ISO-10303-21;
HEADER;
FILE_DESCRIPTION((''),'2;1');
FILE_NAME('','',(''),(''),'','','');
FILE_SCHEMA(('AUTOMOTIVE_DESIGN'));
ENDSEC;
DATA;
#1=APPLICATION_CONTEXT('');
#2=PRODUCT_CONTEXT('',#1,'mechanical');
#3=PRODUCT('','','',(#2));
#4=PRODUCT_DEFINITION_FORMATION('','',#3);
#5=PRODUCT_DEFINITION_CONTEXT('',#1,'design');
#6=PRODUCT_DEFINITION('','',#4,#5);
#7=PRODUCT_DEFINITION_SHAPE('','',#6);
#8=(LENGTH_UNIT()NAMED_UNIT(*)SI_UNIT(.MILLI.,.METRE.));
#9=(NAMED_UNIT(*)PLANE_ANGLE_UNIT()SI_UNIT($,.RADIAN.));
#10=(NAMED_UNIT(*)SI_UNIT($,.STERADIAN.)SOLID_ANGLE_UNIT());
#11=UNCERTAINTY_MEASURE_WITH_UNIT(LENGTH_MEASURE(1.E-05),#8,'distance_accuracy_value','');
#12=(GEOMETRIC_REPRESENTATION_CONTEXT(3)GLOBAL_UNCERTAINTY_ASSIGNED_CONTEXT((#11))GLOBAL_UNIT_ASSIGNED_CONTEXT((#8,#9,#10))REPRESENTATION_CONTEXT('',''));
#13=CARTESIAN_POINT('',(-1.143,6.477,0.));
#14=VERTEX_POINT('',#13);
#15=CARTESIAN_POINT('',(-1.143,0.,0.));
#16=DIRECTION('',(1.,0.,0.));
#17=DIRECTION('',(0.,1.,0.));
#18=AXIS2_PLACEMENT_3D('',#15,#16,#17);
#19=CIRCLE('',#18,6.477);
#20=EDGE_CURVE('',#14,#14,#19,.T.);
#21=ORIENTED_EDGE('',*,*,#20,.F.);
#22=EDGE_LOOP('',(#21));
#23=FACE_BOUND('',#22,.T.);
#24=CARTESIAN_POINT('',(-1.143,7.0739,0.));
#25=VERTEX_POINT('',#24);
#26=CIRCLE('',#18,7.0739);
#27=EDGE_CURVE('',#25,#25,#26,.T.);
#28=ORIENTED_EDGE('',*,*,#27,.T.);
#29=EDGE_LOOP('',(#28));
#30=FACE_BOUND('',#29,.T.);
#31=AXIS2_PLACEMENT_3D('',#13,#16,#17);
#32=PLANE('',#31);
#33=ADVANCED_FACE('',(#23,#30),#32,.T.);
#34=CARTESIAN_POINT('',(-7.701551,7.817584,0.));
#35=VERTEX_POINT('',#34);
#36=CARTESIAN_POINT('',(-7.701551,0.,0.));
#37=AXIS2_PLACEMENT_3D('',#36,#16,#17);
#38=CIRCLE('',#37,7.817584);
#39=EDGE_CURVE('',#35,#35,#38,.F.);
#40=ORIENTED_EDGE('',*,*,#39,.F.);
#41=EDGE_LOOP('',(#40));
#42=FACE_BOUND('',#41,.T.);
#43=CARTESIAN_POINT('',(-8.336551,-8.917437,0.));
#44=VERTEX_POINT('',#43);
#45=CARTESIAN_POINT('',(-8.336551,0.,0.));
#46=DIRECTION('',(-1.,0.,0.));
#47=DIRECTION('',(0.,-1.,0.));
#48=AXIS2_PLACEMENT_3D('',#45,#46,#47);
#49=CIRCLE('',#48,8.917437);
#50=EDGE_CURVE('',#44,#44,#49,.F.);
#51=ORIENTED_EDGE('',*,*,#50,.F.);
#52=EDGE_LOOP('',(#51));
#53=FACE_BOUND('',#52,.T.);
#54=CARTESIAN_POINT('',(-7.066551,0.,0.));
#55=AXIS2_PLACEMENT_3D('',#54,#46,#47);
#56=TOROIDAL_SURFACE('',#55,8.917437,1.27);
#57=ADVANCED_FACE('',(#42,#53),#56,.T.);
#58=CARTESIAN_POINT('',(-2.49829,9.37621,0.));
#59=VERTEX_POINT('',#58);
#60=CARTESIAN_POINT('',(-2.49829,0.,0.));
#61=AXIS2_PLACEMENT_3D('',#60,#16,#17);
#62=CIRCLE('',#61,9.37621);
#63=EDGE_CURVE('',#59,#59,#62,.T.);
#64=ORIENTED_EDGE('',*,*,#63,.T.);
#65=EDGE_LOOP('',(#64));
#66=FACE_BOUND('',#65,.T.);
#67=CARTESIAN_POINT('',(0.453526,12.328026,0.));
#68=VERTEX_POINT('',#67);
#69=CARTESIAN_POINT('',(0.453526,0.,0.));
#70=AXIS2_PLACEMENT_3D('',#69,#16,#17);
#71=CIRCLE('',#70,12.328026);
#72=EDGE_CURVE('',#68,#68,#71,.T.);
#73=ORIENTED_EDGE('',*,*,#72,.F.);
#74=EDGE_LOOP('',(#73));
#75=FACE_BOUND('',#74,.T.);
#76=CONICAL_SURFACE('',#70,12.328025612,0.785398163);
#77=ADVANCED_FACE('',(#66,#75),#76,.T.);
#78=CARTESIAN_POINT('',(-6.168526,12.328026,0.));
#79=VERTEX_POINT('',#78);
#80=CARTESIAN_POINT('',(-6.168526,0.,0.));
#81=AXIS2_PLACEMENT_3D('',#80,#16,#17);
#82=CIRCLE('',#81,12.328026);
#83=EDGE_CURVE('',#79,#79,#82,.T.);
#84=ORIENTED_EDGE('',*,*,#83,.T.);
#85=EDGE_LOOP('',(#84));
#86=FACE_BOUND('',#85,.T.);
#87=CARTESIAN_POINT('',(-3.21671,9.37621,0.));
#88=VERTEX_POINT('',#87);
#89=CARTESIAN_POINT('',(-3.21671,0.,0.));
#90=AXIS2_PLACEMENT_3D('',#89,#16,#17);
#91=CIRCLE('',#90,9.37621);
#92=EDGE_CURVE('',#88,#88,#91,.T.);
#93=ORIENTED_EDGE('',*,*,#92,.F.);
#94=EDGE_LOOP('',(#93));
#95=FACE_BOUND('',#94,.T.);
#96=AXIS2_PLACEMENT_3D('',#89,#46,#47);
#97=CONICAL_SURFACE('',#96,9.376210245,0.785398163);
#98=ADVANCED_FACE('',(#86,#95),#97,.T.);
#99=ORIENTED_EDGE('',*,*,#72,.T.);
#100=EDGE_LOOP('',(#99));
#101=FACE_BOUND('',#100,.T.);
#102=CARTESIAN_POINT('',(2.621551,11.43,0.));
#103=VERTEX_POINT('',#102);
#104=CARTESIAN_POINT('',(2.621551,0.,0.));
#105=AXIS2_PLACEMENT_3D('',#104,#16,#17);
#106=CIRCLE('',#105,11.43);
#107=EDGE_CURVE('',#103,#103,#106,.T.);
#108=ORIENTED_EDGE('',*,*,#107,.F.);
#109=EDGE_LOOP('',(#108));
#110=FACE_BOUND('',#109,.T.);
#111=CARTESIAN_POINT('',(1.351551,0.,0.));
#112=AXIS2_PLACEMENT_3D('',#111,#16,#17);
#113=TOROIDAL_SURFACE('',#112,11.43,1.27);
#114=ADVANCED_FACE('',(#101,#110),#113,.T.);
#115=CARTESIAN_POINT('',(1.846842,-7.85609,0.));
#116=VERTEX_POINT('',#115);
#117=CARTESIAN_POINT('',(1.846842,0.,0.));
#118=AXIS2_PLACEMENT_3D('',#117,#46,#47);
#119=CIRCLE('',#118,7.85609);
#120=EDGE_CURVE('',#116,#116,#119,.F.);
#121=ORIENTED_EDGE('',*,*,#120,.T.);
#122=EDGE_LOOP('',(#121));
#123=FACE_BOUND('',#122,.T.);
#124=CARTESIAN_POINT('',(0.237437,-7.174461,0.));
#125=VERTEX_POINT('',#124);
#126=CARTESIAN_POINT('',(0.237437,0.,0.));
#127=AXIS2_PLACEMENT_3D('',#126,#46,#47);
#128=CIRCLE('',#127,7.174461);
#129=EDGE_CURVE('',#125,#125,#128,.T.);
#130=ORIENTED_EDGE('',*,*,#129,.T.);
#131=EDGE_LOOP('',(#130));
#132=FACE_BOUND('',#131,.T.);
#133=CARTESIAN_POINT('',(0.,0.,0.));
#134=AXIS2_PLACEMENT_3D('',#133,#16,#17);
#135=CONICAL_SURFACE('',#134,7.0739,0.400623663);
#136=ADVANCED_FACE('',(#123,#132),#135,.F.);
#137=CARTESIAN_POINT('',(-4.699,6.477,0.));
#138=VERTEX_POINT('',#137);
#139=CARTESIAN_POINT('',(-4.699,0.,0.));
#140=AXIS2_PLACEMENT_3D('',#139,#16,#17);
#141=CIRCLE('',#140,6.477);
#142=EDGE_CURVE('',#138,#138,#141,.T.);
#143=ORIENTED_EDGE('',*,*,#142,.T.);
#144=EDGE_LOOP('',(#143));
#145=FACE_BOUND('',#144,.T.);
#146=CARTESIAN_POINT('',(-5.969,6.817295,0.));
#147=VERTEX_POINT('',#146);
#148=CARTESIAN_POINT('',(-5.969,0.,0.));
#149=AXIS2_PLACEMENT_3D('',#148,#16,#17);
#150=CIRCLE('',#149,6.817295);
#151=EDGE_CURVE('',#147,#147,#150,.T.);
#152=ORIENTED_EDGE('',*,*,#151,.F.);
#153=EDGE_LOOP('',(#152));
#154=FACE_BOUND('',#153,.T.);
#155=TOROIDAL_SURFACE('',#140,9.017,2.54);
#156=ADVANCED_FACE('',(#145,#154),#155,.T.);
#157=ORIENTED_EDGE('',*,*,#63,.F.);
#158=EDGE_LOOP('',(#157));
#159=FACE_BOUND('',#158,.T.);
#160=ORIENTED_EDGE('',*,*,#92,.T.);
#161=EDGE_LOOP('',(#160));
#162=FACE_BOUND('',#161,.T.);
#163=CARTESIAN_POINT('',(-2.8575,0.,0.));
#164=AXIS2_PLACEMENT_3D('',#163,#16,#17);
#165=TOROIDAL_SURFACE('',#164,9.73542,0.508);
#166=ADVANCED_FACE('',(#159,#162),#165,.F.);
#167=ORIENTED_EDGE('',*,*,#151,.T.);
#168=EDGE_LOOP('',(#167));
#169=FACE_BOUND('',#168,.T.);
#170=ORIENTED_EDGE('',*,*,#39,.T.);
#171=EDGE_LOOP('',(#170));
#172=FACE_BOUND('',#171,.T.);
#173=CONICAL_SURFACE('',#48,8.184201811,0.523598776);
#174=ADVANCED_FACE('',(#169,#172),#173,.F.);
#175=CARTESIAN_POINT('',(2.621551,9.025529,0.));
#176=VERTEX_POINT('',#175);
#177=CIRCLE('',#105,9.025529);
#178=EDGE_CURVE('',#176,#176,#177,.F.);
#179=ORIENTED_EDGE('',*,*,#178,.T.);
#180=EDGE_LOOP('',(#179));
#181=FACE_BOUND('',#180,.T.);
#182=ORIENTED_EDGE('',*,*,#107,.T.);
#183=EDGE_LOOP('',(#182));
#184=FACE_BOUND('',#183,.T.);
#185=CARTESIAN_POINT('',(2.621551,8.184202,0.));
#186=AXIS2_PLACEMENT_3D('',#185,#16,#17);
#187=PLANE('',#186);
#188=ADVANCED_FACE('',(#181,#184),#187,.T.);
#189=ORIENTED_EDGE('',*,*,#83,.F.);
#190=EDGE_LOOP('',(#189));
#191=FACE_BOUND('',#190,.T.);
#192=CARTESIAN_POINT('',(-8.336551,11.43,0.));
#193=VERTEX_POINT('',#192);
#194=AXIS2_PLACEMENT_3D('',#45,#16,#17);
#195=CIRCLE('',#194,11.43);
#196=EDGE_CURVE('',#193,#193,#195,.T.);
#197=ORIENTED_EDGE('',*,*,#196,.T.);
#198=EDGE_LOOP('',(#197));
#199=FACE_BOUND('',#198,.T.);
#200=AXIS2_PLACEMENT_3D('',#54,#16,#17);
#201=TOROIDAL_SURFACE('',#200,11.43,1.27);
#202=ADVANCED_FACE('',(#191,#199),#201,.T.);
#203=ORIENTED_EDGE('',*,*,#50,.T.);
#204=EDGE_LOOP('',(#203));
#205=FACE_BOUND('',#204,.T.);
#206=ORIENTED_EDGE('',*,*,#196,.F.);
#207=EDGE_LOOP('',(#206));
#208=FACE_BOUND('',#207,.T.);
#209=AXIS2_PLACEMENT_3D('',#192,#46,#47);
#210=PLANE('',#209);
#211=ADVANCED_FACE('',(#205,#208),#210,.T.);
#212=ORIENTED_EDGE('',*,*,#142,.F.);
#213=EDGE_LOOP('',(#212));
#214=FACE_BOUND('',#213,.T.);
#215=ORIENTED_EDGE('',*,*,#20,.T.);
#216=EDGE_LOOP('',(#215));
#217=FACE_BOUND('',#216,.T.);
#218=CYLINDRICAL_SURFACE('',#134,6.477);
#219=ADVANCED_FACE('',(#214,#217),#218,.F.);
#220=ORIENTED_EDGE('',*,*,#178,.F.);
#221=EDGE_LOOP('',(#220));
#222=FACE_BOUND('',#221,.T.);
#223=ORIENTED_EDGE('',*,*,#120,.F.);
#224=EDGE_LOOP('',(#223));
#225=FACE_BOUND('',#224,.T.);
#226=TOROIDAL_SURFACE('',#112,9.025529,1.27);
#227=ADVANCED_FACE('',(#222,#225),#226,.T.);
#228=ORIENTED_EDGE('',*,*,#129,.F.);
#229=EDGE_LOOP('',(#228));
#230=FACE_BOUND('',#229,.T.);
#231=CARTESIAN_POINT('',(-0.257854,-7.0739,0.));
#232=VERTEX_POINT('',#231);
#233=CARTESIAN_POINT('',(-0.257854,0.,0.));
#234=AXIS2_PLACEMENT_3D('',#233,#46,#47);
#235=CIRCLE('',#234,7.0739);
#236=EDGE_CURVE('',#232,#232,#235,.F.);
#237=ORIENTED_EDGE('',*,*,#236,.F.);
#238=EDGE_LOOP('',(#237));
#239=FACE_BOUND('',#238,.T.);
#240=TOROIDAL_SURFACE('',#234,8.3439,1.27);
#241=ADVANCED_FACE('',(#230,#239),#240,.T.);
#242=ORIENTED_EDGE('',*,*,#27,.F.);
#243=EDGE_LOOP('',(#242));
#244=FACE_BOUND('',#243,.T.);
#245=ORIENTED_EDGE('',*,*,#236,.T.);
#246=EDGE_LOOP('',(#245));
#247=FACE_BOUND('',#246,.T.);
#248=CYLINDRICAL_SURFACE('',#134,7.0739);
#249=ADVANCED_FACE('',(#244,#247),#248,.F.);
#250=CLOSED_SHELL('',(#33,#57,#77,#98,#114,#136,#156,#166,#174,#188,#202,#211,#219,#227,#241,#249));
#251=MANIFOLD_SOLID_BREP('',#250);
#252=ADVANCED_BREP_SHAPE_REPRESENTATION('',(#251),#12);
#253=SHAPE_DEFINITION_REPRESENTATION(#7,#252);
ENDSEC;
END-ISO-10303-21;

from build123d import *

# Parameters (mm, degrees)
FILLET3_R = 1.27
FILLET4_R = 1.27


with BuildPart() as part:
    # Sketch1 → Revolve1 (revolve)
    with BuildSketch(Plane.XY):
        with BuildLine():
            Line((-4.699, 6.477), (-1.143, 6.477))
            Line((-1.143, 6.477), (-1.143, 7.0739))
            Line((-1.143, 7.0739), (0, 7.0739))
            Line((0, 7.0739), (2.621551224, 8.184201811))
            Line((2.621551224, 8.184201811), (2.621551224, 11.43))
            ThreePointArc((2.621551224, 11.43), (1.837559183, 12.603327006), (0.453525612, 12.328025612))
            Line((0.453525612, 12.328025612), (-2.498289755, 9.376210245))
            ThreePointArc((-2.498289755, 9.376210245), (-2.8575, 9.22742049), (-3.216710245, 9.376210245))
            Line((-3.216710245, 9.376210245), (-6.168525612, 12.328025612))
            ThreePointArc((-6.168525612, 12.328025612), (-7.552559183, 12.603327006), (-8.336551224, 11.43))
            Line((-8.336551224, 11.43), (-8.336551224, 8.184201811))
            Line((-8.336551224, 8.184201811), (-5.969, 6.817295474))
            ThreePointArc((-5.969, 6.817295474), (-5.356400375, 6.563548401), (-4.699, 6.477))
        make_face()
    revolve(axis=Axis((0, 0, 0), (-1, 0, 0)))

    # Fillet3
    fillet3_edges = [part.edges().sort_by_distance(p)[0] for p in [
        (2.621551224, -8.184201811, 0),
        (-8.336551224, -8.184201811, 0),
    ]]
    fillet(fillet3_edges, radius=FILLET3_R)

    # Fillet4
    fillet4_edges = [part.edges().sort_by_distance(p)[0] for p in [
        (0, -7.0739, 0),
    ]]
    fillet(fillet4_edges, radius=FILLET4_R)


solid = part.part
